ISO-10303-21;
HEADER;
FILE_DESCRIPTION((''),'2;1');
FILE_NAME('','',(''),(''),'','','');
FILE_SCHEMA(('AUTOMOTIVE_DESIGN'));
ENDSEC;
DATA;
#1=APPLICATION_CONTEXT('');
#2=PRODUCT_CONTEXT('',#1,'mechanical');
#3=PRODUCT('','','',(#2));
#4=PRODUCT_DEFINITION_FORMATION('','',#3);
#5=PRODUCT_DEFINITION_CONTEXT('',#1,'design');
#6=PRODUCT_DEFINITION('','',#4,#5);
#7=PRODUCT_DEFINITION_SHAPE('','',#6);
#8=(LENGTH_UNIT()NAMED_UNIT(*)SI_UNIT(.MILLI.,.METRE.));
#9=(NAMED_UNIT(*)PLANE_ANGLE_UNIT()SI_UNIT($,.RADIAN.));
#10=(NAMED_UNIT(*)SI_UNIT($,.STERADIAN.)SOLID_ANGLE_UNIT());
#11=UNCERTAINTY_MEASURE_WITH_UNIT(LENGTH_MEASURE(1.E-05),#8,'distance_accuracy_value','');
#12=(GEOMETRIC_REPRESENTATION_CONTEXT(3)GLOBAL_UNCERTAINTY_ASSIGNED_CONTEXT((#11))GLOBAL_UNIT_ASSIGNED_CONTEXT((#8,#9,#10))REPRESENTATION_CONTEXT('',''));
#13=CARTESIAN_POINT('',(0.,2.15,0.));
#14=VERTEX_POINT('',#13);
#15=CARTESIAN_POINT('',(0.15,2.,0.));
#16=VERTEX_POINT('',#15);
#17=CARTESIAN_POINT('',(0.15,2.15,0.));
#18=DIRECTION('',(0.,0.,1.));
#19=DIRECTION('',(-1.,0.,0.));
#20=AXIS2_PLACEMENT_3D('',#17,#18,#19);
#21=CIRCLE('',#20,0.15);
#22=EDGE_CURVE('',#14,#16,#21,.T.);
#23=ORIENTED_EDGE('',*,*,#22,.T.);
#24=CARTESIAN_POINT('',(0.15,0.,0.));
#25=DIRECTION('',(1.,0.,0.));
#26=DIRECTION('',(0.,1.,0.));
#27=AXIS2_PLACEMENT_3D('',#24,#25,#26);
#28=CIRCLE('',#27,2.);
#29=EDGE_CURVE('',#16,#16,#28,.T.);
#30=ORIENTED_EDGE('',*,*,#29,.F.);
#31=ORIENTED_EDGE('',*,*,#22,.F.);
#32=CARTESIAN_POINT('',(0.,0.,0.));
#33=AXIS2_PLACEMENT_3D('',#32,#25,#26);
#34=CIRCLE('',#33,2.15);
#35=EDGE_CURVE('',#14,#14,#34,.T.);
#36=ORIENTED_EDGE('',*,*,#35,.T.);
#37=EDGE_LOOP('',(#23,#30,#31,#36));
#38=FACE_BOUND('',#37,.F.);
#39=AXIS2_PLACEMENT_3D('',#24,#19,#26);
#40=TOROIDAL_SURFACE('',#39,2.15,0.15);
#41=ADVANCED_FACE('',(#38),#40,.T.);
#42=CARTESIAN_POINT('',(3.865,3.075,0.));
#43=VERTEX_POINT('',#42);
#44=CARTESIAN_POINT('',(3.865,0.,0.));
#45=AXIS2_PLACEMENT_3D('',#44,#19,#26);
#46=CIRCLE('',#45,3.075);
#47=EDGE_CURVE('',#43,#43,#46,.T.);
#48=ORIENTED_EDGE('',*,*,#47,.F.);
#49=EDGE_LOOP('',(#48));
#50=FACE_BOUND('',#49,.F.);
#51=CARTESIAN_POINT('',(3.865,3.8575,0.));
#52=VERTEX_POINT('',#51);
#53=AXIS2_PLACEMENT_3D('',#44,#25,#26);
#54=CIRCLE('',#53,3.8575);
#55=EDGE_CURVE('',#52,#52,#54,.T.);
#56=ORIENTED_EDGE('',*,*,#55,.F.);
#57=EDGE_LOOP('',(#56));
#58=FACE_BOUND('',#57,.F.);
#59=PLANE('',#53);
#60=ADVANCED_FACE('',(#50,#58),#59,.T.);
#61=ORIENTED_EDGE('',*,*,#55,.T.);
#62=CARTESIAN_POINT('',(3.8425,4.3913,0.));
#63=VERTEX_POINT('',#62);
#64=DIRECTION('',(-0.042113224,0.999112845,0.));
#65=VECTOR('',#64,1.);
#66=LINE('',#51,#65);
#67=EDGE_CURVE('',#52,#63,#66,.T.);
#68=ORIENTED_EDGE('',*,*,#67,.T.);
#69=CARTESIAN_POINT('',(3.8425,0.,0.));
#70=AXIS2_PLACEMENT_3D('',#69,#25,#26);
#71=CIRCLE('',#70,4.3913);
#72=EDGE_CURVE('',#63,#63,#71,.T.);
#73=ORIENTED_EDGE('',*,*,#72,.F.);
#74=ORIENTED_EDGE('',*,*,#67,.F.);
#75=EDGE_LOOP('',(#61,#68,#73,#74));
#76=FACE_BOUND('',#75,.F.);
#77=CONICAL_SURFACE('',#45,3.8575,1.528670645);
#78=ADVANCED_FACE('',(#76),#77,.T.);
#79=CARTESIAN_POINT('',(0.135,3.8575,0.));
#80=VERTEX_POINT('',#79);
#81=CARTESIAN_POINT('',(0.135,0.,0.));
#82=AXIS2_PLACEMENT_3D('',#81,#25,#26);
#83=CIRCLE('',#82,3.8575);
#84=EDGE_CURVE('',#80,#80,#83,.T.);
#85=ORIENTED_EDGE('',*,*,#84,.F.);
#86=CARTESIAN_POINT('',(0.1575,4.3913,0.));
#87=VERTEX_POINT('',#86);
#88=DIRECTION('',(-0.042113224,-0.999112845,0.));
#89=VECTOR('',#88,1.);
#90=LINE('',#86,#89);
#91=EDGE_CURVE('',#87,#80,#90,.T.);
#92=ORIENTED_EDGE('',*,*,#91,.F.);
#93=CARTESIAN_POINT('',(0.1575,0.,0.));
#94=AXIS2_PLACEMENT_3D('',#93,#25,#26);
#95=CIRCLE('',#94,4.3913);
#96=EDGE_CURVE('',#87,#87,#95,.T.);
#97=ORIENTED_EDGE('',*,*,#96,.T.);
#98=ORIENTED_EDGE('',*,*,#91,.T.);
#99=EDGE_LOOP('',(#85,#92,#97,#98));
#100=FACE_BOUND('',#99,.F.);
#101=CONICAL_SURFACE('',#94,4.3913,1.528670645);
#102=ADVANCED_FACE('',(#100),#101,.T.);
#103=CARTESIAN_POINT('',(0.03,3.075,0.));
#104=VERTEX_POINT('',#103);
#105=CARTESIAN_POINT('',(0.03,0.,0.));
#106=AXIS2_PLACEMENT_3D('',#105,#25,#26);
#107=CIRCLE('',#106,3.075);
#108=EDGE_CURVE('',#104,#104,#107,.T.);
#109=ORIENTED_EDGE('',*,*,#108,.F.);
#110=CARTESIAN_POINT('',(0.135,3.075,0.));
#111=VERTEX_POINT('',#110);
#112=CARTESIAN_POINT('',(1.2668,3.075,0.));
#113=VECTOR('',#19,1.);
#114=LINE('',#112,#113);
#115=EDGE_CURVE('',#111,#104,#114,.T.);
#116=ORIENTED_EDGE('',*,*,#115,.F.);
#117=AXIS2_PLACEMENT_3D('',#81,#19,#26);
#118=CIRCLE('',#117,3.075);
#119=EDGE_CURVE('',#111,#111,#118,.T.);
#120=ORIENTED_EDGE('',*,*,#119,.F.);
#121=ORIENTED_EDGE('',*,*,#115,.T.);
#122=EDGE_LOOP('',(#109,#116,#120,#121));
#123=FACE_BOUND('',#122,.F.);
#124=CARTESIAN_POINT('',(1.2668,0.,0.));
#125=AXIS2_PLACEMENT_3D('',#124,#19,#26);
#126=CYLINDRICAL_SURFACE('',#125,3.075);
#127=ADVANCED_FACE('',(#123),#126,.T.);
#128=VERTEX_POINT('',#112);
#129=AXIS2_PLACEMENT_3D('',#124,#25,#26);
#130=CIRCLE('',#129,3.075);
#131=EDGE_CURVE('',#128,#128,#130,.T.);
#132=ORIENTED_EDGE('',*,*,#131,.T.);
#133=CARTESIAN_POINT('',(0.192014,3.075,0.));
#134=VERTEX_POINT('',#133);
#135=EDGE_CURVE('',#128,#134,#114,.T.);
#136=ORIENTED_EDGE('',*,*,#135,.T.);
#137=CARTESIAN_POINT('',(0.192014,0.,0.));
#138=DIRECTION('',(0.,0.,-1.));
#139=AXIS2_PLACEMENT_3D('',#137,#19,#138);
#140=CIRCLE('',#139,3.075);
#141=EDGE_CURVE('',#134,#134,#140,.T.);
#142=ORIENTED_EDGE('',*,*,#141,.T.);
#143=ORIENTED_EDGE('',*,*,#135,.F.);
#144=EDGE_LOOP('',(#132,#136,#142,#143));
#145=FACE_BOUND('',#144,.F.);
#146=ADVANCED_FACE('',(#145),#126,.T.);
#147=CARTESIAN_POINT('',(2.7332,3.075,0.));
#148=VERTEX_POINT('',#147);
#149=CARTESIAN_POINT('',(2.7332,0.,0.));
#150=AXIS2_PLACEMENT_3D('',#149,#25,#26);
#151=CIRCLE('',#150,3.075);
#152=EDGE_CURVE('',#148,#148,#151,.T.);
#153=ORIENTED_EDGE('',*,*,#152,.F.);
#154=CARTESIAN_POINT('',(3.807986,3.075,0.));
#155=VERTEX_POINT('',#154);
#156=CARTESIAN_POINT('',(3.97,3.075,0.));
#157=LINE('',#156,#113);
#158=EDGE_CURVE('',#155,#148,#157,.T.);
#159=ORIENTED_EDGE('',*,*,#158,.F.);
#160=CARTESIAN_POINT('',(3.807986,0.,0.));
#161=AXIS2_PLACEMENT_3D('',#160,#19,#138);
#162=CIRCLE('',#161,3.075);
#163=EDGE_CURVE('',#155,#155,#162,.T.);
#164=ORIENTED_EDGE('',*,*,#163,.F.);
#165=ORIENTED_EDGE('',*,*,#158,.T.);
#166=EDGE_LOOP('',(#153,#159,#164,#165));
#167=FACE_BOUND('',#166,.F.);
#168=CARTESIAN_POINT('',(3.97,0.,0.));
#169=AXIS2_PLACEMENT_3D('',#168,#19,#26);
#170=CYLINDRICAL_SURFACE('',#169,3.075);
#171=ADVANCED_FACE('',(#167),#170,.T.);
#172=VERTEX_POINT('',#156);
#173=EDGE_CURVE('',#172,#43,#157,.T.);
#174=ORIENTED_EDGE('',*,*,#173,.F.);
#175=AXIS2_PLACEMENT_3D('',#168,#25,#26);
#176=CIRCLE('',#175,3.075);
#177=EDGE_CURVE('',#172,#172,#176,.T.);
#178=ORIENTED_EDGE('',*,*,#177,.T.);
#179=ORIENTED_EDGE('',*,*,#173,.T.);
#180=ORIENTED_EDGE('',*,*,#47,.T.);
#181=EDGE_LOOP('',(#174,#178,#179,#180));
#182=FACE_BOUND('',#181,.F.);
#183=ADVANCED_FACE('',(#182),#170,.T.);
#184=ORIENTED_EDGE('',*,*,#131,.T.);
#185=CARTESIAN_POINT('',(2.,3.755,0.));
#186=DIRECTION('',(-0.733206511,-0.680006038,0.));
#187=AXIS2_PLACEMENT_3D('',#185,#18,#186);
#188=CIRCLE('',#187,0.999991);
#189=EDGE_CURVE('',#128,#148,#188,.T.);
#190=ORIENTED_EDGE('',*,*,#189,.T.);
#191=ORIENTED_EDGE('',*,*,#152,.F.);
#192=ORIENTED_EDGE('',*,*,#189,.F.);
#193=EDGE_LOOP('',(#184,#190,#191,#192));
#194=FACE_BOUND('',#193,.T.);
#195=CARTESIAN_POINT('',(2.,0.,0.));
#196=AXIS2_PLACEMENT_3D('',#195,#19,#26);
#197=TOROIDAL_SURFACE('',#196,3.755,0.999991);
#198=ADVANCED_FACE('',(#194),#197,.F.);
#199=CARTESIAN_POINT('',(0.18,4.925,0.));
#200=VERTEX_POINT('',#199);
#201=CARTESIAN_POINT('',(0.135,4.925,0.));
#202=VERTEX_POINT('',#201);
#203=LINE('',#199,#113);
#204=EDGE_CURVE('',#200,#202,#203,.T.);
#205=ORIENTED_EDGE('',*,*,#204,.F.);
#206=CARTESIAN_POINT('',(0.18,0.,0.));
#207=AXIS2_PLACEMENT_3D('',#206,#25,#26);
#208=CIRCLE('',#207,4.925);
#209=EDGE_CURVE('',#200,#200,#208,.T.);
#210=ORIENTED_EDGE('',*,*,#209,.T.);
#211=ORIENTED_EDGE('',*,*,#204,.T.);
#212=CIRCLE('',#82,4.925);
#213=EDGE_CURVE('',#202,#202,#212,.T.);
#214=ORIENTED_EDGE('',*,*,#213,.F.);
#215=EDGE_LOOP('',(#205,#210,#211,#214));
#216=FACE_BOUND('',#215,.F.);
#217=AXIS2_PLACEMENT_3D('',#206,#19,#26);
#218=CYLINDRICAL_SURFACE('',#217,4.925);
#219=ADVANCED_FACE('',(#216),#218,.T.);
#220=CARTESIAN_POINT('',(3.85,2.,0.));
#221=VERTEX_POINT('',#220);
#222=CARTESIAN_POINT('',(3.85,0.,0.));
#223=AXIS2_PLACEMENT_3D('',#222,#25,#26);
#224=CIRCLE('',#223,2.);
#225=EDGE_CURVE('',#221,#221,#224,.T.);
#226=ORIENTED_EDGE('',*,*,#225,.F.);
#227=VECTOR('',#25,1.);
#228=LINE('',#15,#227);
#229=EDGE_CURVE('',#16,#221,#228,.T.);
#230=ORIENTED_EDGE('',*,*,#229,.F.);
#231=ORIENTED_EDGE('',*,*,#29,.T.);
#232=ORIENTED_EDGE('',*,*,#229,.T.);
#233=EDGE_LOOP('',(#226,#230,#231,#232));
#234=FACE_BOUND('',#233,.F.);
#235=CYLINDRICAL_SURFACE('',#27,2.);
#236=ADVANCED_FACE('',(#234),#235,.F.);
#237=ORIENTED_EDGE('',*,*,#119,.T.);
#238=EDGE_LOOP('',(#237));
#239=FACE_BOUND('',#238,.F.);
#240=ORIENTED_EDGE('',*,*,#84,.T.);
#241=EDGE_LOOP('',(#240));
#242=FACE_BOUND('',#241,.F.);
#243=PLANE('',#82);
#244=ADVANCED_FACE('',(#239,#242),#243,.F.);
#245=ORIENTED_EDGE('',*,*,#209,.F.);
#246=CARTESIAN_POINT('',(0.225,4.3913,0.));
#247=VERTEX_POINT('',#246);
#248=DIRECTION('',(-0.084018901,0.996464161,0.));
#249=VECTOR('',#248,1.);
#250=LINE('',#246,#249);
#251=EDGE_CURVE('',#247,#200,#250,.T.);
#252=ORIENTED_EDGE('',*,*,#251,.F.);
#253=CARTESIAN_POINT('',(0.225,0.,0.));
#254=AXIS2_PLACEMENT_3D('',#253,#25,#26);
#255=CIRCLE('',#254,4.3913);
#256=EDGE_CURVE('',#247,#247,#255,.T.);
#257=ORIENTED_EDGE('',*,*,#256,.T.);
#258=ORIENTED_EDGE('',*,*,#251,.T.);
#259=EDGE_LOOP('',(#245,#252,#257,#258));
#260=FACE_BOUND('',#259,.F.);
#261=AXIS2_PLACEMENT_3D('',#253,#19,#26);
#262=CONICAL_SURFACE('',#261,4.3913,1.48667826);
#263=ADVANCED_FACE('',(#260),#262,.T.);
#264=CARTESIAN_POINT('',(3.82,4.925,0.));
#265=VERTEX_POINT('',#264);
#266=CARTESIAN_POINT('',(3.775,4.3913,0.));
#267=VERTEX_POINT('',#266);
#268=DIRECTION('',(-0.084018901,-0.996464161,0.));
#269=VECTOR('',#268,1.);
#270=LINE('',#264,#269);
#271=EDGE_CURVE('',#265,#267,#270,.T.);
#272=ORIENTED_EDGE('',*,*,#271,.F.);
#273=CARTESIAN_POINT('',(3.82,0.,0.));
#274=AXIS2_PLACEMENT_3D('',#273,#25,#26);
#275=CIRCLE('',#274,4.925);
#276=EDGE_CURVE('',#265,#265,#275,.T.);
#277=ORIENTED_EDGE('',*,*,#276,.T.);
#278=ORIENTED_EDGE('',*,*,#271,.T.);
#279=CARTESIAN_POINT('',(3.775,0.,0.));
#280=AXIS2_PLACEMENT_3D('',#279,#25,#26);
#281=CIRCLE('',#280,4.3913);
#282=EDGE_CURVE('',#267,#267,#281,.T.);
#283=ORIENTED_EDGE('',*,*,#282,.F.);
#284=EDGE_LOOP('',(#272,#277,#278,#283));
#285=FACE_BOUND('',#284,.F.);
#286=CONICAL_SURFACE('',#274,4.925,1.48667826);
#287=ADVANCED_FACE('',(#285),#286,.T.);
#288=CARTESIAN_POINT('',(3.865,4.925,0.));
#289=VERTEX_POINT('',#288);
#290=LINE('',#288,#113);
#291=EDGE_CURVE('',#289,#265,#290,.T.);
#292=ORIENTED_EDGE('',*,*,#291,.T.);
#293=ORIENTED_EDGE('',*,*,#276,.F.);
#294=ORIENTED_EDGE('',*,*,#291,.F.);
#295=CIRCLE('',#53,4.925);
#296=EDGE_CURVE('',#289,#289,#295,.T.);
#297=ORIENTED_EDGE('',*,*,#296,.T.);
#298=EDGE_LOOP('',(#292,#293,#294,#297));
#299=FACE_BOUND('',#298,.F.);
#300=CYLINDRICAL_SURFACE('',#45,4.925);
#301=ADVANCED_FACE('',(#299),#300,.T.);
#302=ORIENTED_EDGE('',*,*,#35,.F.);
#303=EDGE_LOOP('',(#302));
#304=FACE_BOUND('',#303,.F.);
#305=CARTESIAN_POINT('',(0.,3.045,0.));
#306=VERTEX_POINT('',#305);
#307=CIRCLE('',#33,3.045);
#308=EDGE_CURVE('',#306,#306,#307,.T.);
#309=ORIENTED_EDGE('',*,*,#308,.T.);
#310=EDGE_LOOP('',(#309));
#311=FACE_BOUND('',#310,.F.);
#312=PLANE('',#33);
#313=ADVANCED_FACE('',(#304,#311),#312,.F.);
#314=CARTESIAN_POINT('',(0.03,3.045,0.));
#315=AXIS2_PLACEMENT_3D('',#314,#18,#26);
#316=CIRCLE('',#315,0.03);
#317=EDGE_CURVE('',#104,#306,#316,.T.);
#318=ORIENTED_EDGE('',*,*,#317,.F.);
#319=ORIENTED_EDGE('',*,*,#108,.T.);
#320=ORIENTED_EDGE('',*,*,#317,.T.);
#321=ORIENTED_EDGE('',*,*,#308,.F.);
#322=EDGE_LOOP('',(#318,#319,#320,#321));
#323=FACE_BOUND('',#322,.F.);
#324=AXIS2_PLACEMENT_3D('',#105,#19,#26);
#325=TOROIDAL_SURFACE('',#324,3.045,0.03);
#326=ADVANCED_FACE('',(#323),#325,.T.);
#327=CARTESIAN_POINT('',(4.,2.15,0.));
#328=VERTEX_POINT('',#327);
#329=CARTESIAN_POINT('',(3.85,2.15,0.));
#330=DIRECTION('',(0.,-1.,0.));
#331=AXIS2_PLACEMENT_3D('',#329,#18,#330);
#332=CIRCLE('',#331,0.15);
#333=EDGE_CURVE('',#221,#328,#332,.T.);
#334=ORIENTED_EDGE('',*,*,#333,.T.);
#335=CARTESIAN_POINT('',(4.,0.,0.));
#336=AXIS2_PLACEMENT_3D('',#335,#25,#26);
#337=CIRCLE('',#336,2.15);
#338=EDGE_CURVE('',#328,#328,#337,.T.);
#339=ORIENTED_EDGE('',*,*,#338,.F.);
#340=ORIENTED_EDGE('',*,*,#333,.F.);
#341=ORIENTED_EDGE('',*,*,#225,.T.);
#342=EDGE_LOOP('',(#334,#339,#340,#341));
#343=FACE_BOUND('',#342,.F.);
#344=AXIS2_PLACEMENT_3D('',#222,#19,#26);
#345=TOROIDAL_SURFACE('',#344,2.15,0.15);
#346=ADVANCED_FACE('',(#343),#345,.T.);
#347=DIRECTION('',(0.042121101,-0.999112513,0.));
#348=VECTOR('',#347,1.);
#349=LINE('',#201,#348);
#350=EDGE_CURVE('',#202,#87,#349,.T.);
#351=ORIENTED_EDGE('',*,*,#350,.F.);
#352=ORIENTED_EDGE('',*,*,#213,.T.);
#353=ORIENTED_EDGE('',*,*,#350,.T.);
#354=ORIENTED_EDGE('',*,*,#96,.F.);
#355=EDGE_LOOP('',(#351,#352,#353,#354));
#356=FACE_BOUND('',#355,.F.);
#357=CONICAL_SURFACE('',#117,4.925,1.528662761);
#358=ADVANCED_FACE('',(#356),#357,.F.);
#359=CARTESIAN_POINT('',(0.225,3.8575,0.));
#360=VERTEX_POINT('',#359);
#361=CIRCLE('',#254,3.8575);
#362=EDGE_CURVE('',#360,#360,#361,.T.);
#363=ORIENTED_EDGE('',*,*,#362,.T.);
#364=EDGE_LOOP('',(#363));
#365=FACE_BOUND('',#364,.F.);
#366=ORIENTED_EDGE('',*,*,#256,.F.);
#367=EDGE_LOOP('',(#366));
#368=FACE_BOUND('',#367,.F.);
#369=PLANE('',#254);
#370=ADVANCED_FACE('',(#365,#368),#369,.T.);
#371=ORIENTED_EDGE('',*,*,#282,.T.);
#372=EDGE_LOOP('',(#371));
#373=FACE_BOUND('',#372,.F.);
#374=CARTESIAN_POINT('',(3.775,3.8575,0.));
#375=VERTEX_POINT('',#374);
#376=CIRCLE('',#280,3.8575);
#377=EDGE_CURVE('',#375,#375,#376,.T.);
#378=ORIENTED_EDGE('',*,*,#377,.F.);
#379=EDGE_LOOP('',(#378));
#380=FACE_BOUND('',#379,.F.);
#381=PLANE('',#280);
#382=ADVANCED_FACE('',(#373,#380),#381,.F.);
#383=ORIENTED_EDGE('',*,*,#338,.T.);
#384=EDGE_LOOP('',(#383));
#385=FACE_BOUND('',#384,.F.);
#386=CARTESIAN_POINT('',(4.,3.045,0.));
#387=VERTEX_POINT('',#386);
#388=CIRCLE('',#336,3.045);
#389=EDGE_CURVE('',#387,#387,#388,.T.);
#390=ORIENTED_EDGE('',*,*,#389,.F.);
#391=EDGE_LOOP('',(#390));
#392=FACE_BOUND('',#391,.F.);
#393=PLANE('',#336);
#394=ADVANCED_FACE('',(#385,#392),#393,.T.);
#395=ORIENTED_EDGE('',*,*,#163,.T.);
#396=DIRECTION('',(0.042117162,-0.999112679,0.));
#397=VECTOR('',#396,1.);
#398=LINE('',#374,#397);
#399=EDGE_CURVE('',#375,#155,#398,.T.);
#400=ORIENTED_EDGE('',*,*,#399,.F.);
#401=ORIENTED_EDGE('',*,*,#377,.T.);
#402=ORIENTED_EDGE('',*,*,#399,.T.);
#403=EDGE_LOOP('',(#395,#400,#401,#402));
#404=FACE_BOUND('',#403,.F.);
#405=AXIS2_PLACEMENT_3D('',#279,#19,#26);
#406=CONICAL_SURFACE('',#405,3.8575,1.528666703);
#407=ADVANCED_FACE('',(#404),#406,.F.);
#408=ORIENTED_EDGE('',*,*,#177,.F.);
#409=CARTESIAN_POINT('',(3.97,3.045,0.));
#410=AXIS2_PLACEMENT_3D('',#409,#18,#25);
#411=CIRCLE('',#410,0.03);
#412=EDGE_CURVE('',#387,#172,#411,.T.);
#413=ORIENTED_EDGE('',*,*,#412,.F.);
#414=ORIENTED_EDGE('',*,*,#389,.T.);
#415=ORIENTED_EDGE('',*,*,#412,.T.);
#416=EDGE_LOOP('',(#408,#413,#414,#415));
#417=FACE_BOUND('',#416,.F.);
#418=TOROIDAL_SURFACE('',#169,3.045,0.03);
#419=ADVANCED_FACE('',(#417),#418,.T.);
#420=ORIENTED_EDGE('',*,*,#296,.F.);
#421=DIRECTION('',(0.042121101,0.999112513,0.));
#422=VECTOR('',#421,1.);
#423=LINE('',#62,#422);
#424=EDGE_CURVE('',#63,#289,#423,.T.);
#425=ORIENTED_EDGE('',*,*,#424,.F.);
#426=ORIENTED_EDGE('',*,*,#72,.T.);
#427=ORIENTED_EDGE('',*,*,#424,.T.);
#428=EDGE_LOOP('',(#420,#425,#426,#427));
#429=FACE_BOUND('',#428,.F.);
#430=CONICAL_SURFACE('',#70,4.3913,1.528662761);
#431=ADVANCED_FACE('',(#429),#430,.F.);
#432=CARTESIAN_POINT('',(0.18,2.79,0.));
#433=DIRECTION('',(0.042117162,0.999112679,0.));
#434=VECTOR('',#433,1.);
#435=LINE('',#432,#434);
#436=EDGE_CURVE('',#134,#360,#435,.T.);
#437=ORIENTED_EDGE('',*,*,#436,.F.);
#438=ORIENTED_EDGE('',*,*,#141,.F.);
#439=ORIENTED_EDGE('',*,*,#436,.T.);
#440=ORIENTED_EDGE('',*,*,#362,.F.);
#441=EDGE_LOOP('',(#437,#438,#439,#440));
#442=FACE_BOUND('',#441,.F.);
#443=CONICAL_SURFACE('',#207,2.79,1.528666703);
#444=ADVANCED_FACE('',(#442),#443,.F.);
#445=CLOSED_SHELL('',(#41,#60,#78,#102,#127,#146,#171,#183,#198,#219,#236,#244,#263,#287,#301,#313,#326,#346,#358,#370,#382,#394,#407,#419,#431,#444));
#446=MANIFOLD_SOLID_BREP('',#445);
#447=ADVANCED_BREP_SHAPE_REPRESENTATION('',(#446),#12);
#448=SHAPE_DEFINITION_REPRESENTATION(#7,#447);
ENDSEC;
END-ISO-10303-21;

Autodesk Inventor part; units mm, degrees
ref_plane "YZ Plane" through (0, 0, 0) normal (1, 0, 0) x (0, 1, 0)
ref_plane "XZ Plane" through (0, 0, 0) normal (0, 1, 0) x (-1, 0, 0)
ref_plane "XY Plane" through (0, 0, 0) normal (0, 0, 1) x (1, 0, 0)
sketch "Sketch_17" plane through (0, 0, 0) normal (0, 0, 1) x (1, 0, 0)
  line L0 (50, 0) -> (-50, 0)
  line L1 (0, 3.045) -> (0, 2.15)
  arc A0 (0, 2.15) -> (0.15, 2) centre (0.15, 2.15) ccw
  line L2 (0.15, 2) -> (3.85, 2)
  arc A1 (3.85, 2) -> (4, 2.15) centre (3.85, 2.15) ccw
  line L3 (4, 2.15) -> (4, 3.045)
  arc A2 (4, 3.045) -> (3.97, 3.075) centre (3.97, 3.045) ccw
  line L4 (3.97, 3.075) -> (2.7332, 3.075)
  arc A3 (1.2668, 3.075) -> (2.7332, 3.075) centre (2, 3.755) ccw
  line L5 (1.2668, 3.075) -> (0.03, 3.075)
  arc A4 (0.03, 3.075) -> (0, 3.045) centre (0.03, 3.045) ccw
revolve "Revolution1" add sketch "Sketch_17" angle 360 about axis through (50, 0, 0) along (1, 0, 0)
sketch "Sketch_20" plane through (0, 0, 0) normal (0, 0, 1) x (1, 0, 0)
  line L0 (50, 0) -> (-50, 0)
  line L1 (0.135, 4.925) -> (0.1575, 4.3913)
  line L2 (0.1575, 4.3913) -> (0.135, 3.8575)
  line L3 (0.135, 3.8575) -> (0.135, 2.79)
  line L4 (0.135, 2.79) -> (0.18, 2.79)
  line L5 (0.18, 2.79) -> (0.225, 3.8575)
  line L6 (0.225, 3.8575) -> (0.225, 4.3913)
  line L7 (0.225, 4.3913) -> (0.18, 4.925)
  line L8 (0.18, 4.925) -> (0.135, 4.925)
revolve "Revolution2" add sketch "Sketch_20" angle 360 about axis through (50, 0, 0) along (1, 0, 0)
sketch "Sketch_21" plane through (0, 0, 0) normal (0, 0, 1) x (1, 0, 0)
  line L0 (50, 0) -> (-50, 0)
  line L1 (3.775, 4.3913) -> (3.775, 3.8575)
  line L2 (3.775, 3.8575) -> (3.82, 2.79)
  line L3 (3.82, 2.79) -> (3.865, 2.79)
  line L4 (3.865, 2.79) -> (3.865, 3.8575)
  line L5 (3.865, 3.8575) -> (3.8425, 4.3913)
  line L6 (3.8425, 4.3913) -> (3.865, 4.925)
  line L7 (3.865, 4.925) -> (3.82, 4.925)
  line L8 (3.82, 4.925) -> (3.775, 4.3913)
revolve "Revolution3" add sketch "Sketch_21" angle 360 about axis through (50, 0, 0) along (1, 0, 0)
properties part number "W 619/4-2Z_PART1"
